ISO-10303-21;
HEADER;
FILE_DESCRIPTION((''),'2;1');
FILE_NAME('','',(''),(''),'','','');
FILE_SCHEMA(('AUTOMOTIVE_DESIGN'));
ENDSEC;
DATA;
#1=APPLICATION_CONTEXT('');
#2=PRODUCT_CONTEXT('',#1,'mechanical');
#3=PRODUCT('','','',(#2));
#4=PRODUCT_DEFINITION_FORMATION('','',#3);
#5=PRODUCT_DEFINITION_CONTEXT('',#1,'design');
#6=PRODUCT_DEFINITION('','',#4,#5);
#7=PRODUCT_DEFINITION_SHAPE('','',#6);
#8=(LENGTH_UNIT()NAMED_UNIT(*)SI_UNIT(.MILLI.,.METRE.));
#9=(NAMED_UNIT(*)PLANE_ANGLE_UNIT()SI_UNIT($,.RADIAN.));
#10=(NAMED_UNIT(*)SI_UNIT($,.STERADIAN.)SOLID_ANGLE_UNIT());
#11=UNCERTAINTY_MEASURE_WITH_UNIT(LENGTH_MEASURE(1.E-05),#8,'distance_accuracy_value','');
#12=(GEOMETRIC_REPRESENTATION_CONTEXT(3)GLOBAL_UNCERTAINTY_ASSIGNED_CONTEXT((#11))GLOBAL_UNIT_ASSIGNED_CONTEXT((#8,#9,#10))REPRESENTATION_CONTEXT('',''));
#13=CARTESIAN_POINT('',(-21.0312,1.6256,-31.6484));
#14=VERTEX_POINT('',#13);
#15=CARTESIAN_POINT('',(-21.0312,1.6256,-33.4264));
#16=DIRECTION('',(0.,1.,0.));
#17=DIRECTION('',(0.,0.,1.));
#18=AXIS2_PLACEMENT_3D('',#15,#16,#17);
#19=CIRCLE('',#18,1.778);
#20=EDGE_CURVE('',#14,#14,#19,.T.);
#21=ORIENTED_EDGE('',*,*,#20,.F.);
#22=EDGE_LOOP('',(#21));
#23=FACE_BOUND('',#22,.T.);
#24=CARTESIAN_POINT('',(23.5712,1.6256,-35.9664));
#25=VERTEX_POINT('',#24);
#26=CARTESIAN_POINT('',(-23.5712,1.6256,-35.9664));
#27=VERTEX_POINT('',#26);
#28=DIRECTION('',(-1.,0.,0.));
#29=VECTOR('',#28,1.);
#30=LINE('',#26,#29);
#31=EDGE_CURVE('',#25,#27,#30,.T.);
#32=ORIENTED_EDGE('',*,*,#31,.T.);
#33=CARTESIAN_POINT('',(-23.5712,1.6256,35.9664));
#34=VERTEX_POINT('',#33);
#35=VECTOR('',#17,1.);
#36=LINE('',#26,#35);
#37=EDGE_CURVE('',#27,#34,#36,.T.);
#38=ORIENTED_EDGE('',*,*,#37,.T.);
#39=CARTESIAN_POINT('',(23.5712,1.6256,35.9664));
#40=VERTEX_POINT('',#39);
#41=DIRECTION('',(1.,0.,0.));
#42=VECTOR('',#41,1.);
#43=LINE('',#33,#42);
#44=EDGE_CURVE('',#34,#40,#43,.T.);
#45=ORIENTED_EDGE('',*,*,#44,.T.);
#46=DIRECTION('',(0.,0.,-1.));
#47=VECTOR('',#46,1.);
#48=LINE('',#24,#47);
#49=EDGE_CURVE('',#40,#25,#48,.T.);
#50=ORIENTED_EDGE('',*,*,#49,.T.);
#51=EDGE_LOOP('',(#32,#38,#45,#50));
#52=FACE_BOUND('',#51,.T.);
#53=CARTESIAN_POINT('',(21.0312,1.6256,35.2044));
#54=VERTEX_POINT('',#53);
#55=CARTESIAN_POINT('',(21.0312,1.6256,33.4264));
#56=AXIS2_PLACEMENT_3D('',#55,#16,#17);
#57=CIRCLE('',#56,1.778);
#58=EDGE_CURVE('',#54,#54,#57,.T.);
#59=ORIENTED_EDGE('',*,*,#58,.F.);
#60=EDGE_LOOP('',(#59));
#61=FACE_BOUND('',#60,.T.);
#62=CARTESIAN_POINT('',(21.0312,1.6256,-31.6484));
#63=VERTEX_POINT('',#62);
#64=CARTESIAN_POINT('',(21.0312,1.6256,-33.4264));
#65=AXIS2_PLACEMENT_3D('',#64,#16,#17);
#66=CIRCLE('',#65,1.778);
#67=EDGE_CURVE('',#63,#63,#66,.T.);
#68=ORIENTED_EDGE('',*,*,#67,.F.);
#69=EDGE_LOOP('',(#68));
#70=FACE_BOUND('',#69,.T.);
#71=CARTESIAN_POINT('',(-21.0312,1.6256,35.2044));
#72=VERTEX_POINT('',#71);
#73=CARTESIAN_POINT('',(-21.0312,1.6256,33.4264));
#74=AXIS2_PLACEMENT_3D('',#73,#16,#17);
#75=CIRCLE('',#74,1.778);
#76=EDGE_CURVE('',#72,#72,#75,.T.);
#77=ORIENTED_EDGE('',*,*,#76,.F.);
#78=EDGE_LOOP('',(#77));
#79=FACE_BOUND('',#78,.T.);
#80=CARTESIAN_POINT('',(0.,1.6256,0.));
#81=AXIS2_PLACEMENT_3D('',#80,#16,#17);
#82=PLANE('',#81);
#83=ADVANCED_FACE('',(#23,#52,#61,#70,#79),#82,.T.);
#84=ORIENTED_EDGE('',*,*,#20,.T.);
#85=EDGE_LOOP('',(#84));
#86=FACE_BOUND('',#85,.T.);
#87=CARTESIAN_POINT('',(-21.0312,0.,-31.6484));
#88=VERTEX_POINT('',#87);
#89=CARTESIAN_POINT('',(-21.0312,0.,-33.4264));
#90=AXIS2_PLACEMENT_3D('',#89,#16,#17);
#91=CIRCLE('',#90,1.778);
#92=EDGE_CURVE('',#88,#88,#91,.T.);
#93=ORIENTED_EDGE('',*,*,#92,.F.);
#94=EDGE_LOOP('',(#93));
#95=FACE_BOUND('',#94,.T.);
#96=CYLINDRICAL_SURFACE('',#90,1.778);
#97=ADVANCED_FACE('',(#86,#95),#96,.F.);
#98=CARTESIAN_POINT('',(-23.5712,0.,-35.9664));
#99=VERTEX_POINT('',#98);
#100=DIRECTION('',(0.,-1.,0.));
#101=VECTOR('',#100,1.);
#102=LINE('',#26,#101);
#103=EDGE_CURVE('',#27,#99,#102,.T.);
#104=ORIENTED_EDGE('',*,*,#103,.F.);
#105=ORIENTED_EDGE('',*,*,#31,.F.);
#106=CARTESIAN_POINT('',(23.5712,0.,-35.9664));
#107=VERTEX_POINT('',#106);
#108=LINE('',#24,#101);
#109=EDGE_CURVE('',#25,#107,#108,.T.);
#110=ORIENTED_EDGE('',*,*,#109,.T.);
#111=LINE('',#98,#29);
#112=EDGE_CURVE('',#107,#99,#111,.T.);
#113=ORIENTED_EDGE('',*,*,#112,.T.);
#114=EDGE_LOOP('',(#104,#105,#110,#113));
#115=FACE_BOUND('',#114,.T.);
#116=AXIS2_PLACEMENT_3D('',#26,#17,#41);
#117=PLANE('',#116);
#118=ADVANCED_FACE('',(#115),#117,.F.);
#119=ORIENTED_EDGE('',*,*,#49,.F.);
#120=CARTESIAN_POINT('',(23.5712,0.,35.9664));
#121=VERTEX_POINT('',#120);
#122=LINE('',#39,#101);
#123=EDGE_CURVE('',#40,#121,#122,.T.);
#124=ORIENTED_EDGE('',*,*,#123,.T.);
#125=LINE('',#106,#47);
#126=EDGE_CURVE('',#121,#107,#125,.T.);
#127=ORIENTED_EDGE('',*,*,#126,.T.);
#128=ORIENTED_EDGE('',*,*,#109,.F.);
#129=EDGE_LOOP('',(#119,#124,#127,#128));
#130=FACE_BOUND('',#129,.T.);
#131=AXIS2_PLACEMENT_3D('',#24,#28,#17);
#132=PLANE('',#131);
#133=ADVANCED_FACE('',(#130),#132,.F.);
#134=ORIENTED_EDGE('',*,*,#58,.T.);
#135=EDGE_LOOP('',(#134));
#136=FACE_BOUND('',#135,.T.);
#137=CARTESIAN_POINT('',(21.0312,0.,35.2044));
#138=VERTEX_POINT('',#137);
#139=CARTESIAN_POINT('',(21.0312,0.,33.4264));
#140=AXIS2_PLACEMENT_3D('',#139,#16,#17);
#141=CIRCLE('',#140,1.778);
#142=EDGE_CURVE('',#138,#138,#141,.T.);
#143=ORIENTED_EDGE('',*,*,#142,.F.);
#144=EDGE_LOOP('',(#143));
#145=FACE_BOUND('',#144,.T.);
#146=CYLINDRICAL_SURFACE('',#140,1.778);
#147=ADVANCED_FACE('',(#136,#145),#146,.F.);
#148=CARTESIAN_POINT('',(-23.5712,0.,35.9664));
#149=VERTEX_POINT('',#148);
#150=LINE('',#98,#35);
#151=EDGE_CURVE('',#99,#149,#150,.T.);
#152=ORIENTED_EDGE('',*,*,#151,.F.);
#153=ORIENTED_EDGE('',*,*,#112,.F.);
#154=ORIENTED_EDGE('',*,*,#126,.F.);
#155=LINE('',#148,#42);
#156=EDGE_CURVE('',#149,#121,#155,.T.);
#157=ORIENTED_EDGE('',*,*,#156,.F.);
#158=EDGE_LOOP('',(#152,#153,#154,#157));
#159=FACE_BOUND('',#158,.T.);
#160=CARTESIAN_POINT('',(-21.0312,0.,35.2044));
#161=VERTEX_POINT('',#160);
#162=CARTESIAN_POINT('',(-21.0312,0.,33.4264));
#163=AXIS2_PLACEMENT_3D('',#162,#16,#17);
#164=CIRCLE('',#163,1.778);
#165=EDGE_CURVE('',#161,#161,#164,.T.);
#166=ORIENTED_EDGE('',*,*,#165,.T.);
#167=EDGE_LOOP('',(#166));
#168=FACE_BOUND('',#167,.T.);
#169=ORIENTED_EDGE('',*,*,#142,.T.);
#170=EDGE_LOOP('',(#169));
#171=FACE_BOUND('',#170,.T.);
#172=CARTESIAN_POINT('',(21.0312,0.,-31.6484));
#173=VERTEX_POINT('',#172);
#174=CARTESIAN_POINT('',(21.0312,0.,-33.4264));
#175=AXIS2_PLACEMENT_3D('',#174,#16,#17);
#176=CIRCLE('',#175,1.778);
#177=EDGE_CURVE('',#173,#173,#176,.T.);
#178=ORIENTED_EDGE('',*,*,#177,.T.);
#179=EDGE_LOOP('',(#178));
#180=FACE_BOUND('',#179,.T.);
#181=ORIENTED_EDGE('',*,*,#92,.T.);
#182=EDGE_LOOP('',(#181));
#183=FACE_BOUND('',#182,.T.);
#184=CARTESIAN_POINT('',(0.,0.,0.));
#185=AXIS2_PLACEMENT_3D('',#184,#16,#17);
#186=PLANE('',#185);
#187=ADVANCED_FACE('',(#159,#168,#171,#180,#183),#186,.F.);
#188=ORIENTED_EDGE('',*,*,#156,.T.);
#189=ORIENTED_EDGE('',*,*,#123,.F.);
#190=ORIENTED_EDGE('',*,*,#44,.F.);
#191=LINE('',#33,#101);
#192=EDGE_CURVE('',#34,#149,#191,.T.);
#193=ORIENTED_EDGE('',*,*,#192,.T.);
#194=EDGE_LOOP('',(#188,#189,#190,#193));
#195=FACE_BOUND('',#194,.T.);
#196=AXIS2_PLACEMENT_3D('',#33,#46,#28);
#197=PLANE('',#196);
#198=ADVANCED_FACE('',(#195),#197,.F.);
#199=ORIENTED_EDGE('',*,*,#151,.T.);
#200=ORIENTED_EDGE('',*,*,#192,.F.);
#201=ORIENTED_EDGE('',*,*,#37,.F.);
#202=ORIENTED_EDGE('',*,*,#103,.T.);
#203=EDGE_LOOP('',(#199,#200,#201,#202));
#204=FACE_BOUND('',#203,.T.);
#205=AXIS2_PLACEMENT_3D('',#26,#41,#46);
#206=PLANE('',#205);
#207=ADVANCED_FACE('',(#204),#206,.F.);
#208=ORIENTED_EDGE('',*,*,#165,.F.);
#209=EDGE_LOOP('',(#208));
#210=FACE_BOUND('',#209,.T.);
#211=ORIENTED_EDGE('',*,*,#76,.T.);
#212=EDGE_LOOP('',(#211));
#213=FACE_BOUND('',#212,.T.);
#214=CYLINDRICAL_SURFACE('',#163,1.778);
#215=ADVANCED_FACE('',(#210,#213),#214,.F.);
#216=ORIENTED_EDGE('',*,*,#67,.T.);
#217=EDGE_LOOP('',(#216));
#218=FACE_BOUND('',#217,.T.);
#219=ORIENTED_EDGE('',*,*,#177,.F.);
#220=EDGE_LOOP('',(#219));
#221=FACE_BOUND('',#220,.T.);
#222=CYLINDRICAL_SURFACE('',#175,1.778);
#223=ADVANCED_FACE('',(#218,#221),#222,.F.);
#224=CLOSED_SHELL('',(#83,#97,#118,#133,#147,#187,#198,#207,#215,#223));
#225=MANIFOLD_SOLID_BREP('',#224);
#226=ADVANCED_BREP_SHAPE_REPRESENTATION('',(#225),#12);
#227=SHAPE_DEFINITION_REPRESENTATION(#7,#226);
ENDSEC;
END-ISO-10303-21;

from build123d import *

# Parameters (mm, degrees)
SKETCH1_W           = 47.1424
SKETCH1_H           = 71.9328
BOSS_EXTRUDE1_DEPTH = 1.6256
SKETCH2_R           = 1.778
CUT_EXTRUDE1_DEPTH  = 1.6256


with BuildPart() as part:
    # Sketch1 → Boss-Extrude1 (new body)
    with BuildSketch(Plane(origin=(0, 0, 0), x_dir=(1, 0, 0), z_dir=(0, 1, 0))):
        Rectangle(SKETCH1_W, SKETCH1_H)
    extrude(amount=BOSS_EXTRUDE1_DEPTH)

    # Sketch2 → Cut-Extrude1 (cut)
    with BuildSketch(Plane(origin=(0, 1.6256, 0), x_dir=(1, 0, 0), z_dir=(0, 1, 0))):
        with Locations(Location((-21.0312, 33.4264, 0), (0, 0, 270))):
            Circle(SKETCH2_R)
        with Locations(Location((21.0312, 33.4264, 0), (0, 0, 270))):
            Circle(SKETCH2_R)
        with Locations(Location((-21.0312, -33.4264, 0), (0, 0, 270))):
            Circle(SKETCH2_R)
        with Locations(Location((21.0312, -33.4264, 0), (0, 0, 270))):
            Circle(SKETCH2_R)
    extrude(amount=-CUT_EXTRUDE1_DEPTH, mode=Mode.SUBTRACT)


solid = part.part
